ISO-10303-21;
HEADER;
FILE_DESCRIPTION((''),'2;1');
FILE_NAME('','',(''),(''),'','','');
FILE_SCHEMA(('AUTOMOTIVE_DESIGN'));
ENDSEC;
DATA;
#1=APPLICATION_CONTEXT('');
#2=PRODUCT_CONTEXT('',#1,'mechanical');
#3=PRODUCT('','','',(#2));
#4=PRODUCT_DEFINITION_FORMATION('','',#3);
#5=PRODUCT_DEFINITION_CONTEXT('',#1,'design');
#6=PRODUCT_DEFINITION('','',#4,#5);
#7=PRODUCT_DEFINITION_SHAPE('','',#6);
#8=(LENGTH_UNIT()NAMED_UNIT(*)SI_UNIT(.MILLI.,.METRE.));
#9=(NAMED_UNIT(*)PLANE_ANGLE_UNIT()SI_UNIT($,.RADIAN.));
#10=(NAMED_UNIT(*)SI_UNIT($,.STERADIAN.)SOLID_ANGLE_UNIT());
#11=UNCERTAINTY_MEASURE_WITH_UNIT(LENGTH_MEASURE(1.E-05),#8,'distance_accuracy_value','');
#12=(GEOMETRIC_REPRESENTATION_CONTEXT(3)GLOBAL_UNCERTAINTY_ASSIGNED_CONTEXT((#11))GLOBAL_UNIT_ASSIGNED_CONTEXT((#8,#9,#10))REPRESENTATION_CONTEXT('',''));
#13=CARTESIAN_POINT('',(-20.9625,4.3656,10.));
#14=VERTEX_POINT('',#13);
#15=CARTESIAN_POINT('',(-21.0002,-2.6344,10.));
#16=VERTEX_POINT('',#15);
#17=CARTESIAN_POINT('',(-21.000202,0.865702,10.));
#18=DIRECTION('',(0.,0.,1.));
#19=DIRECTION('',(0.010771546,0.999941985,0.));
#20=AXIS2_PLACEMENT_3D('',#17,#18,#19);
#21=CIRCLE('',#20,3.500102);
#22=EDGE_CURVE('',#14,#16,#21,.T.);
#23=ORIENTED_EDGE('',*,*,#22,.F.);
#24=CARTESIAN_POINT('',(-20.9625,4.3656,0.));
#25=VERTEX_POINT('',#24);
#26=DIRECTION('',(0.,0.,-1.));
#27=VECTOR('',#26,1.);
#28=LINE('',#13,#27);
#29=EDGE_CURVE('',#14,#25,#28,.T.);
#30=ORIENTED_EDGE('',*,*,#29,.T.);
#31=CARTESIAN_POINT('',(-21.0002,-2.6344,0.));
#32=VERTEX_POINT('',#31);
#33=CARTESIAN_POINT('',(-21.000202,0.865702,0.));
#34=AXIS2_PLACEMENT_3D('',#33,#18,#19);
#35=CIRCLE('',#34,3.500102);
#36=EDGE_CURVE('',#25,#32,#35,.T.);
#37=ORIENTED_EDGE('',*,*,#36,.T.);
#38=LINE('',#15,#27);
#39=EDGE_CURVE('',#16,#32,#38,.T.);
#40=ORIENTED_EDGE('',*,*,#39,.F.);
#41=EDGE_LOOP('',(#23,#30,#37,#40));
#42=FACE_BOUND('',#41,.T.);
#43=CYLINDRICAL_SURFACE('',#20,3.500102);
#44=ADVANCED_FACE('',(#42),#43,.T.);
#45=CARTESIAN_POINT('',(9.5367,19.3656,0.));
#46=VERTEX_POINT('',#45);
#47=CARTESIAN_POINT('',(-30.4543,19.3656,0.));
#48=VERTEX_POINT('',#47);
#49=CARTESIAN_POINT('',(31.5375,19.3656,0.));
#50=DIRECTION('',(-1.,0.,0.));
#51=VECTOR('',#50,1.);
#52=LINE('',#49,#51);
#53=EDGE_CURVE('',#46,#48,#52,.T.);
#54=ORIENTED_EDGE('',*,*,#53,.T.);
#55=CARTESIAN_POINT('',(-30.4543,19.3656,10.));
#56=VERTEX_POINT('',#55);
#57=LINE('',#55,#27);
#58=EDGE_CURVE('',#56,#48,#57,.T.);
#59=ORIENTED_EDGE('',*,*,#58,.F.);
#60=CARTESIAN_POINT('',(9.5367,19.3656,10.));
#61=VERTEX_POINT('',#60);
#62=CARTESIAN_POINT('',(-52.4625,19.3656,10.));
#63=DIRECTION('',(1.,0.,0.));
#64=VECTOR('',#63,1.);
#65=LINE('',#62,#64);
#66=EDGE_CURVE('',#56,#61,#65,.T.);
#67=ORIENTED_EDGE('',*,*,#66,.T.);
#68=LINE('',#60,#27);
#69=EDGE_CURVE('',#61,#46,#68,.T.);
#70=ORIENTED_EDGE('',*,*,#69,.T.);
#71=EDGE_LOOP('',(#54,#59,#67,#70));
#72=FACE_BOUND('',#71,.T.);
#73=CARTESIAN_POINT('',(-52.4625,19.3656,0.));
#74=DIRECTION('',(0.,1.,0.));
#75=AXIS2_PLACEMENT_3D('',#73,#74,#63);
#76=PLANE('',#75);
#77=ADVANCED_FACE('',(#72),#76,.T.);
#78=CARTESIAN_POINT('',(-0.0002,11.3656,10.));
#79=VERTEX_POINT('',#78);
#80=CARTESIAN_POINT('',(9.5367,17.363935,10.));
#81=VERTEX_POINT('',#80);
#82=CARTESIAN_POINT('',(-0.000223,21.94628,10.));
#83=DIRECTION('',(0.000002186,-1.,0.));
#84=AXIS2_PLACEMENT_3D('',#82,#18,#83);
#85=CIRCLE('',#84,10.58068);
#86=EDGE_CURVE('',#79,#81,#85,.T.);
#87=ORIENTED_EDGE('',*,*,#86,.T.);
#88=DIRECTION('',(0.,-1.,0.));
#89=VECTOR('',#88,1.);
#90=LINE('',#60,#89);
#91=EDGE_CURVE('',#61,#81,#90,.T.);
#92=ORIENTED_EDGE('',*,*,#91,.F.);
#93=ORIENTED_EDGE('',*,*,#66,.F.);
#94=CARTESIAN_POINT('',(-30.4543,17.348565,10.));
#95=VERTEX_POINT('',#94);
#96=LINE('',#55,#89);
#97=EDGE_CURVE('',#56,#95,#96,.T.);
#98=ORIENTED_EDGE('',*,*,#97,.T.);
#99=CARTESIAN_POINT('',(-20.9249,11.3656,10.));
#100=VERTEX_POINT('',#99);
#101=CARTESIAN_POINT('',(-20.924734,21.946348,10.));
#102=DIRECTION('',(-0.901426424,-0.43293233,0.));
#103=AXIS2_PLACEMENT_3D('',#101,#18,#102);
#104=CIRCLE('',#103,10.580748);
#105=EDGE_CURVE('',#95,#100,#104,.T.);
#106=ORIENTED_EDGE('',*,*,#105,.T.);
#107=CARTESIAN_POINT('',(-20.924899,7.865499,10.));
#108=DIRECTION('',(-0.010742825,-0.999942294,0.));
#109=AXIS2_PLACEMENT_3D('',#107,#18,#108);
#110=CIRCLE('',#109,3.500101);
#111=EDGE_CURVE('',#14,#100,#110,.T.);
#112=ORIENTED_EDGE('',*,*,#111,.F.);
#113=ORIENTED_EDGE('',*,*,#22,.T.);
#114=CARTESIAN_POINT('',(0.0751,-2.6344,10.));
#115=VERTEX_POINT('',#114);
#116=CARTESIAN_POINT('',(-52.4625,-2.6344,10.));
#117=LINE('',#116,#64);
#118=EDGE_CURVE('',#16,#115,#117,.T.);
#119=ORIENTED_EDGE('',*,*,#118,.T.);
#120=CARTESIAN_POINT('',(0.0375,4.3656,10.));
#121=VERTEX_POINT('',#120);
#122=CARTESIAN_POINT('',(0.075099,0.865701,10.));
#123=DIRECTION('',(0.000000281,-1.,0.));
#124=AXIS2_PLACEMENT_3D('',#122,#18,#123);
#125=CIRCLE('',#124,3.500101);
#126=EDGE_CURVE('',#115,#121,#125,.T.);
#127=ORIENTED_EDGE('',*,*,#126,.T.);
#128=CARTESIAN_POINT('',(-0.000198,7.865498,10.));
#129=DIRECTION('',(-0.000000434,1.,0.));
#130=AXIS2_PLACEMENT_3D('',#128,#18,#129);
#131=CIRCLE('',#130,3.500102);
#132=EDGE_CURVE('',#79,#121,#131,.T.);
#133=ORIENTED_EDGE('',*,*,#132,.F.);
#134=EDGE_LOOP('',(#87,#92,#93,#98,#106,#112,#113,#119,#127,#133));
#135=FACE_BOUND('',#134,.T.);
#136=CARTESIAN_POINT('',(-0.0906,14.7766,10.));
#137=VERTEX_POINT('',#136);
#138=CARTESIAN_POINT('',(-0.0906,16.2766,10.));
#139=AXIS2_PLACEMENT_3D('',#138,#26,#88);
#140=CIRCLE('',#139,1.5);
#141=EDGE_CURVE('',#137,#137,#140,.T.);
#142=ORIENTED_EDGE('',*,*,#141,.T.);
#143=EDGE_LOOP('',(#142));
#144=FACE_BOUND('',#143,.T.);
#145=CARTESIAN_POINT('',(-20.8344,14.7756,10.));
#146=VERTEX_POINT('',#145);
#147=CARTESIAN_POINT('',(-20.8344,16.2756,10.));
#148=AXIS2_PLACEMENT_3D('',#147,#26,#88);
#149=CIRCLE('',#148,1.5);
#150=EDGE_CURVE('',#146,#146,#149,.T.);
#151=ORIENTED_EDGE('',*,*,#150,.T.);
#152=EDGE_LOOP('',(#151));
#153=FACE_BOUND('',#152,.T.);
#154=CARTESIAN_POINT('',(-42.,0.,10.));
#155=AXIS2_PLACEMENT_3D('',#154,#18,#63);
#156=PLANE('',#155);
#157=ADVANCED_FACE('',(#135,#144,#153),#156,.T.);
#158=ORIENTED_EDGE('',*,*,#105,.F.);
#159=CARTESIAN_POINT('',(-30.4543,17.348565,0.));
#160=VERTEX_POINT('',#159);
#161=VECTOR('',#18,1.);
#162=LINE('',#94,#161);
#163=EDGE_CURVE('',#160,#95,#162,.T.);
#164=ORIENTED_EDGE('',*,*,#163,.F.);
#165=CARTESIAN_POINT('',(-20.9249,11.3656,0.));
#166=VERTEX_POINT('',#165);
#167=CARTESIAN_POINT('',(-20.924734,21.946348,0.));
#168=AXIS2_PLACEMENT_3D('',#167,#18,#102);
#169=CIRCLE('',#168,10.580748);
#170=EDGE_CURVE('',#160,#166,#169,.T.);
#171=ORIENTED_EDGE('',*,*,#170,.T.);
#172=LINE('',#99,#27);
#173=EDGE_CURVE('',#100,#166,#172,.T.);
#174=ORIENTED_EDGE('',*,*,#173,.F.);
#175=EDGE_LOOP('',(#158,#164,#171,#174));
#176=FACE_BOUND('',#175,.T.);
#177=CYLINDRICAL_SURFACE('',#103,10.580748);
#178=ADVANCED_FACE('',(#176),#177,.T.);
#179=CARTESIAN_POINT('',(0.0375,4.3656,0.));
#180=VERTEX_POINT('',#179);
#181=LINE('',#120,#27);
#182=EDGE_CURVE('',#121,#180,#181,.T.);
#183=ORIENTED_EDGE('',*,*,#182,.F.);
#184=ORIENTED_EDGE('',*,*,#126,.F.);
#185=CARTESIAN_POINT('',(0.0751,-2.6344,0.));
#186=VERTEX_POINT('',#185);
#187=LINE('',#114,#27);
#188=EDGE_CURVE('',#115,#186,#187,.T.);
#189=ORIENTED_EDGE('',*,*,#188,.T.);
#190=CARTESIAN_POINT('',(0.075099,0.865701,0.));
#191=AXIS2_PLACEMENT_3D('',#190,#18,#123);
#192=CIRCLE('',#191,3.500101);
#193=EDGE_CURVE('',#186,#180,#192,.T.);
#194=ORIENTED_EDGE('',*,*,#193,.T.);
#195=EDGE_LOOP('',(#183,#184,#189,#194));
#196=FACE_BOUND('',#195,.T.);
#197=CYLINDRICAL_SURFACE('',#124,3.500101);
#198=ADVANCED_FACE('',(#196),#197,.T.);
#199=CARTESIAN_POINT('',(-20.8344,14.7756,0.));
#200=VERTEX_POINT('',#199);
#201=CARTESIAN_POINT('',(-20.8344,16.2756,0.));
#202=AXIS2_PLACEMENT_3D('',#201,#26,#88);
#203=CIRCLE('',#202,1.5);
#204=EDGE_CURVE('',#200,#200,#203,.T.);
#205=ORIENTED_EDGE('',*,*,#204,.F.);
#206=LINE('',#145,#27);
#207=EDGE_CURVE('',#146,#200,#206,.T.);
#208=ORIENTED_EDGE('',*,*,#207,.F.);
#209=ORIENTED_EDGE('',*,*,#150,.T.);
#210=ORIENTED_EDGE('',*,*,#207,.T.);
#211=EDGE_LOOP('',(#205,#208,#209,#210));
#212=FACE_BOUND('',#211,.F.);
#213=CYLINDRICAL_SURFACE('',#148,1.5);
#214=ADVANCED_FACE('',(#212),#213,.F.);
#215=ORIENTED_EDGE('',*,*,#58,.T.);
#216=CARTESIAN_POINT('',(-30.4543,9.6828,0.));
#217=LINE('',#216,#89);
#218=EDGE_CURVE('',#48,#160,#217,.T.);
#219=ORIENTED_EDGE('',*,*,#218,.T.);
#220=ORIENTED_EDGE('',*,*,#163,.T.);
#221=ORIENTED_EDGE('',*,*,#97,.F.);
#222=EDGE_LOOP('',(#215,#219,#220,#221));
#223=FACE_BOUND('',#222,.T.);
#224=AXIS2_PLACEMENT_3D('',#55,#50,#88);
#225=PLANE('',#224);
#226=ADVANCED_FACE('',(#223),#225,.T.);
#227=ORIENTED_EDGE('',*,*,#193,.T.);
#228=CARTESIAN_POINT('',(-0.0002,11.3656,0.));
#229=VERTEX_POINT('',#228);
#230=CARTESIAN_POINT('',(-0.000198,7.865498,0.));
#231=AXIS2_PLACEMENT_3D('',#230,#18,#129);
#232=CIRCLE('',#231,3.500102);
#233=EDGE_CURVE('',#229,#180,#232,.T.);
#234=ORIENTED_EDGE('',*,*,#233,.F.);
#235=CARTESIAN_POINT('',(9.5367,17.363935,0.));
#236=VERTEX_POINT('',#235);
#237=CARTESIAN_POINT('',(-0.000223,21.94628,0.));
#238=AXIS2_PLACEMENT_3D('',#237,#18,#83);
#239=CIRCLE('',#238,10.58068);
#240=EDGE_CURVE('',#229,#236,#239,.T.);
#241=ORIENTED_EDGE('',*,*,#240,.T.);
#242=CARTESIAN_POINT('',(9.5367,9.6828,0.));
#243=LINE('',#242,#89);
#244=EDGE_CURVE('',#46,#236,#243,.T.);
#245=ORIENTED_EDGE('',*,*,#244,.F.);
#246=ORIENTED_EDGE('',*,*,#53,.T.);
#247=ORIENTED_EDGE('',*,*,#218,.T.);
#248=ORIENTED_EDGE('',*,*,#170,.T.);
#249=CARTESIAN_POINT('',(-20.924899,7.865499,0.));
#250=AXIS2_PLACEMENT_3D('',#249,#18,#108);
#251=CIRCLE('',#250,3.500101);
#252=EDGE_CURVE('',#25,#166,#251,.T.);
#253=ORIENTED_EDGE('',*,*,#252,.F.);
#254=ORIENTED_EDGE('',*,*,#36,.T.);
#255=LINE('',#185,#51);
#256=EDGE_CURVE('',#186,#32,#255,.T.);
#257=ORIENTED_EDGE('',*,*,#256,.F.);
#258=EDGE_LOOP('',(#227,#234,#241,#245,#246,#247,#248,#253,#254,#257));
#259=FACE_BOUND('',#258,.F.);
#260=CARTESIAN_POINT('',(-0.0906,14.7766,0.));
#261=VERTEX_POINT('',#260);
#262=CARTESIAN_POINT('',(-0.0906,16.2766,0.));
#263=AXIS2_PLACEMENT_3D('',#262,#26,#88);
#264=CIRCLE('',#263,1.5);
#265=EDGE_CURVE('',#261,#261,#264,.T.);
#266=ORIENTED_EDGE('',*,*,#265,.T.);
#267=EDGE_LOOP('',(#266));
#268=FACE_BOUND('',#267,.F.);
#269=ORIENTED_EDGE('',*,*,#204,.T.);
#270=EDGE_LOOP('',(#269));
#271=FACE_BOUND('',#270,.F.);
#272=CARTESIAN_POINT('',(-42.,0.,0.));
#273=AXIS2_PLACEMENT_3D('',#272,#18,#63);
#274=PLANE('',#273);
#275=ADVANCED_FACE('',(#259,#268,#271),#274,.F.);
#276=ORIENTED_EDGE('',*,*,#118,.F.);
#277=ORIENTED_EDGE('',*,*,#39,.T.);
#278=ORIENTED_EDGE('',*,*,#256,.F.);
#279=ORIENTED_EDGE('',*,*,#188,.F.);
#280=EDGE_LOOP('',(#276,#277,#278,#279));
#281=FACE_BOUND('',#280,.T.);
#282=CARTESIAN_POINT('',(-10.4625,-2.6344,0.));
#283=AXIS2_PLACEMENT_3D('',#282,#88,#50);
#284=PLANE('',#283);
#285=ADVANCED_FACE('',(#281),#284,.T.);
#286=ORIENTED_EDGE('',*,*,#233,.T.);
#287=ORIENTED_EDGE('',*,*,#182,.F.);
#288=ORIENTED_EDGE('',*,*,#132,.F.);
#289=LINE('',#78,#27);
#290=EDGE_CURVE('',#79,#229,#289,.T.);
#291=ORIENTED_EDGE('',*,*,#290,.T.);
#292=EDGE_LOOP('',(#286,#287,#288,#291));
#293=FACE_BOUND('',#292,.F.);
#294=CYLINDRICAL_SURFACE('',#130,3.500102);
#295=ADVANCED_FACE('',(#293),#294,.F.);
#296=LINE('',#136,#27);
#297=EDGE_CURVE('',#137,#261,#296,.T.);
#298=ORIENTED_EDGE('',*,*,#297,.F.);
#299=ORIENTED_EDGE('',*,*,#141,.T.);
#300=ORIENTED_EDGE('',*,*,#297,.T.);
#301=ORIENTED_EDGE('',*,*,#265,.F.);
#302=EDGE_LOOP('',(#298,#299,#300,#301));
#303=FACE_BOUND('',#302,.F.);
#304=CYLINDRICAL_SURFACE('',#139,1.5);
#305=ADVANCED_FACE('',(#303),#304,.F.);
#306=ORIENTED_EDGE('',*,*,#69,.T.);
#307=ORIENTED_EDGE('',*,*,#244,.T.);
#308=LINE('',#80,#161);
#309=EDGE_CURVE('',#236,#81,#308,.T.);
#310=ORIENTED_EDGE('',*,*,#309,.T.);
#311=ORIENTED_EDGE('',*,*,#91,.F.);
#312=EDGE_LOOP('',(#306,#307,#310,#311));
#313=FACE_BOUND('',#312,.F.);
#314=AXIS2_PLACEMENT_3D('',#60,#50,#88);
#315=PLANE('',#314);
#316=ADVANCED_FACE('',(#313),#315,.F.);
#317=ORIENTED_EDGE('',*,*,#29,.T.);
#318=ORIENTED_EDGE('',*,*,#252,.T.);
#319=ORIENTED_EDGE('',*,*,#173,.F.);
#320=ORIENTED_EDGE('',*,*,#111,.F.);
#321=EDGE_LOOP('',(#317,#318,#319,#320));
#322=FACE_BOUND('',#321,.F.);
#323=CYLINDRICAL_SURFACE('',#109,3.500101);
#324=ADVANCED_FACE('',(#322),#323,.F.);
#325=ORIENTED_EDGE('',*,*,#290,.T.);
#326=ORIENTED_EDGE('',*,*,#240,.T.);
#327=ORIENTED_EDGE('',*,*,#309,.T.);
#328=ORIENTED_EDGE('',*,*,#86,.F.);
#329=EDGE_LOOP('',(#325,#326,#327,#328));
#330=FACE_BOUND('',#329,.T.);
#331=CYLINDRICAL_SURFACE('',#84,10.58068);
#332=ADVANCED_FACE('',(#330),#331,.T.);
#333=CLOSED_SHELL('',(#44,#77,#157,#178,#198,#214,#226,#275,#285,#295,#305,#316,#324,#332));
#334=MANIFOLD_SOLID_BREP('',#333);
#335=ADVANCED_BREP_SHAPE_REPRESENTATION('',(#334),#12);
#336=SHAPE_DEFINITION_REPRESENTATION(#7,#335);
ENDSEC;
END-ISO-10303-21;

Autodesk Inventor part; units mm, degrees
ref_plane "YZ Plane" through (0, 0, 0) normal (1, 0, 0) x (0, 1, 0)
ref_plane "XZ Plane" through (0, 0, 0) normal (0, 1, 0) x (-1, 0, 0)
ref_plane "XY Plane" through (0, 0, 0) normal (0, 0, 1) x (1, 0, 0)
sketch "Sketch1" plane through (0, 0, 0) normal (0, 0, 1) x (1, 0, 0)
  line L0 (-10.4625, 19.3656) -> (31.5375, 19.3656)
  line L1 (31.5375, 19.3656) -> (31.5375, -2.6344)
  line L2 (31.5375, -2.6344) -> (-10.4625, -2.6344)
  line L3 (-10.4625, -2.6344) -> (-10.4625, 19.3656)
  point P0 (0, 0)
  dimension "d0" = 42
  dimension "d1" = 22
extrude "Extrusion1" add sketch "Sketch1" along normal blind 10
sketch "Sketch2" plane through (0, 0, 10) normal (0, 0, 1) x (1, 0, 0)
  line L0 (-10.4625, -2.6344) -> (31.5375, -2.6344) projected
  arc A0 (0.0751, -2.6344) -> (0.0375, 4.3656) centre (0.0751, 0.8657) ccw
  arc A1 (-0.0002, 11.3656) -> (0.0375, 4.3656) centre (-0.0002, 7.8655) ccw
  arc A2 (21.0375, 4.3656) -> (20.9998, -2.6344) centre (20.9998, 0.8657) ccw
  arc A3 (21.0375, 4.3656) -> (21.0751, 11.3656) centre (21.0751, 7.8655) ccw
  line L1 (-0.0002, 11.3656) -> (21.0751, 11.3656)
  line L2 (0.0751, 0.8657) -> (0.0375, 4.3656) construction
  line L3 (21.0751, 7.8655) -> (21.0375, 4.3656) construction
  line L4 (21.0375, 4.3656) -> (20.9998, 0.8657) construction
  line L5 (-10.4625, 19.3656) -> (-10.4625, -2.6344) projected
  line L6 (0.0375, 4.3656) -> (-0.0002, 7.8655) construction
  point P0 (0, 0)
  point P1 (10.5375, 11.3656)
  dimension "d4" = 21
  dimension "d5" = 21
  dimension "d6" = 14
extrude "Extrusion2" cut sketch "Sketch2" against normal through all
sketch "Sketch3" plane through (0, 0, 10) normal (0, 0, 1) x (1, 0, 0)
  line L0 (-0.0002, 11.3656) -> (21.0751, 11.3656) projected
  arc A0 (-0.0002, 11.3656) -> (9.5375, 17.3656) centre (-0.0002, 21.9462) ccw
  arc A1 (11.5375, 17.3656) -> (21.0751, 11.3656) centre (21.0751, 21.9462) ccw
  line L1 (9.5375, 17.3656) -> (11.5375, 17.3656)
  line L2 (31.5375, 19.3656) -> (-10.4625, 19.3656) projected
  arc A2 (21.0375, 4.3656) -> (21.0751, 11.3656) centre (21.0751, 7.8655) ccw projected
  line L3 (-0.0002, 11.3656) -> (21.0751, 11.3656)
  point P0 (0, 0)
  dimension "d9" = 2
  dimension "d10" = 2
extrude "Extrusion3" cut sketch "Sketch3" against normal through all
pattern_linear "Rectangular Pattern1" count 2 spacing 42 along (-1, 0, 0) of "Extrusion1", "Extrusion2", "Extrusion3"
sketch "Sketch4" plane through (0, 0, 10) normal (0, 0, 1) x (1, 0, 0)
  line L0 (31.5375, 19.3656) -> (-52.4625, 19.3656) projected
  line L1 (-30.4543, 19.3656) -> (-30.4543, -2.6344)
  line L2 (-52.4625, -2.6344) -> (-41.9249, -2.6344) projected
  line L3 (-30.4543, -2.6344) -> (-52.4625, -2.6344)
  line L4 (-52.4625, -2.6344) -> (-52.4625, 19.3656)
  line L5 (-52.4625, 19.3656) -> (-30.4543, 19.3656)
  line L6 (9.5367, 19.3656) -> (9.5367, -2.6344)
  line L7 (20.9998, -2.6344) -> (31.5375, -2.6344) projected
  line L8 (9.5367, -2.6344) -> (31.5375, -2.6344)
  line L9 (31.5375, -2.6344) -> (31.5375, 19.3656)
  line L10 (31.5375, 19.3656) -> (9.5367, 19.3656)
  point P0 (0, 0)
extrude "Extrusion4" cut sketch "Sketch4" against normal through all
sketch "Sketch5" plane through (0, 0, 10) normal (0, 0, 1) x (1, 0, 0)
  arc A0 (-20.9625, 4.3656) -> (-20.9249, 11.3656) centre (-20.9249, 7.8655) ccw projected
  line L0 (-20.9625, 4.3656) -> (-21.1286, -11.0791) construction
  arc A1 (-0.0002, 11.3656) -> (0.0375, 4.3656) centre (-0.0002, 7.8655) ccw construction
  line L1 (-20.9625, 4.3656) -> (-9.8965, 4.2466) construction
  line L2 (-20.9625, 4.3656) -> (-20.6751, 31.0931) construction
  arc A2 (0.0751, -2.6344) -> (0.0375, 4.3656) centre (0.0751, 0.8657) ccw projected
  arc A3 (-20.9625, 4.3656) -> (-21.0002, -2.6344) centre (-21.0002, 0.8657) ccw projected
  line L3 (9.5367, 19.3656) -> (-30.4543, 19.3656) construction
  line L4 (-10.4588, 19.3656) -> (-10.4625, -2.6344) construction
  line L5 (-21.0002, -2.6344) -> (0.0751, -2.6344) construction
  line L6 (0.0375, 4.3656) -> (-2.5475, 4.3378) construction
  line L7 (0.0375, 4.3656) -> (0.6415, 4.3721) construction
  line L8 (0.0375, 4.3656) -> (-0.1492, 21.7223) construction
  point P0 (0, 0)
  point P1 (-20.8344, 16.2756)
  point P2 (-0.0906, 16.2766)
hole "Hole1" at (-20.8344, 16.2756, 10) at (-0.0906, 16.2766, 10) direction (0, 0, -1) diameter 3 end through all
properties part number "Zipperteethv5"
